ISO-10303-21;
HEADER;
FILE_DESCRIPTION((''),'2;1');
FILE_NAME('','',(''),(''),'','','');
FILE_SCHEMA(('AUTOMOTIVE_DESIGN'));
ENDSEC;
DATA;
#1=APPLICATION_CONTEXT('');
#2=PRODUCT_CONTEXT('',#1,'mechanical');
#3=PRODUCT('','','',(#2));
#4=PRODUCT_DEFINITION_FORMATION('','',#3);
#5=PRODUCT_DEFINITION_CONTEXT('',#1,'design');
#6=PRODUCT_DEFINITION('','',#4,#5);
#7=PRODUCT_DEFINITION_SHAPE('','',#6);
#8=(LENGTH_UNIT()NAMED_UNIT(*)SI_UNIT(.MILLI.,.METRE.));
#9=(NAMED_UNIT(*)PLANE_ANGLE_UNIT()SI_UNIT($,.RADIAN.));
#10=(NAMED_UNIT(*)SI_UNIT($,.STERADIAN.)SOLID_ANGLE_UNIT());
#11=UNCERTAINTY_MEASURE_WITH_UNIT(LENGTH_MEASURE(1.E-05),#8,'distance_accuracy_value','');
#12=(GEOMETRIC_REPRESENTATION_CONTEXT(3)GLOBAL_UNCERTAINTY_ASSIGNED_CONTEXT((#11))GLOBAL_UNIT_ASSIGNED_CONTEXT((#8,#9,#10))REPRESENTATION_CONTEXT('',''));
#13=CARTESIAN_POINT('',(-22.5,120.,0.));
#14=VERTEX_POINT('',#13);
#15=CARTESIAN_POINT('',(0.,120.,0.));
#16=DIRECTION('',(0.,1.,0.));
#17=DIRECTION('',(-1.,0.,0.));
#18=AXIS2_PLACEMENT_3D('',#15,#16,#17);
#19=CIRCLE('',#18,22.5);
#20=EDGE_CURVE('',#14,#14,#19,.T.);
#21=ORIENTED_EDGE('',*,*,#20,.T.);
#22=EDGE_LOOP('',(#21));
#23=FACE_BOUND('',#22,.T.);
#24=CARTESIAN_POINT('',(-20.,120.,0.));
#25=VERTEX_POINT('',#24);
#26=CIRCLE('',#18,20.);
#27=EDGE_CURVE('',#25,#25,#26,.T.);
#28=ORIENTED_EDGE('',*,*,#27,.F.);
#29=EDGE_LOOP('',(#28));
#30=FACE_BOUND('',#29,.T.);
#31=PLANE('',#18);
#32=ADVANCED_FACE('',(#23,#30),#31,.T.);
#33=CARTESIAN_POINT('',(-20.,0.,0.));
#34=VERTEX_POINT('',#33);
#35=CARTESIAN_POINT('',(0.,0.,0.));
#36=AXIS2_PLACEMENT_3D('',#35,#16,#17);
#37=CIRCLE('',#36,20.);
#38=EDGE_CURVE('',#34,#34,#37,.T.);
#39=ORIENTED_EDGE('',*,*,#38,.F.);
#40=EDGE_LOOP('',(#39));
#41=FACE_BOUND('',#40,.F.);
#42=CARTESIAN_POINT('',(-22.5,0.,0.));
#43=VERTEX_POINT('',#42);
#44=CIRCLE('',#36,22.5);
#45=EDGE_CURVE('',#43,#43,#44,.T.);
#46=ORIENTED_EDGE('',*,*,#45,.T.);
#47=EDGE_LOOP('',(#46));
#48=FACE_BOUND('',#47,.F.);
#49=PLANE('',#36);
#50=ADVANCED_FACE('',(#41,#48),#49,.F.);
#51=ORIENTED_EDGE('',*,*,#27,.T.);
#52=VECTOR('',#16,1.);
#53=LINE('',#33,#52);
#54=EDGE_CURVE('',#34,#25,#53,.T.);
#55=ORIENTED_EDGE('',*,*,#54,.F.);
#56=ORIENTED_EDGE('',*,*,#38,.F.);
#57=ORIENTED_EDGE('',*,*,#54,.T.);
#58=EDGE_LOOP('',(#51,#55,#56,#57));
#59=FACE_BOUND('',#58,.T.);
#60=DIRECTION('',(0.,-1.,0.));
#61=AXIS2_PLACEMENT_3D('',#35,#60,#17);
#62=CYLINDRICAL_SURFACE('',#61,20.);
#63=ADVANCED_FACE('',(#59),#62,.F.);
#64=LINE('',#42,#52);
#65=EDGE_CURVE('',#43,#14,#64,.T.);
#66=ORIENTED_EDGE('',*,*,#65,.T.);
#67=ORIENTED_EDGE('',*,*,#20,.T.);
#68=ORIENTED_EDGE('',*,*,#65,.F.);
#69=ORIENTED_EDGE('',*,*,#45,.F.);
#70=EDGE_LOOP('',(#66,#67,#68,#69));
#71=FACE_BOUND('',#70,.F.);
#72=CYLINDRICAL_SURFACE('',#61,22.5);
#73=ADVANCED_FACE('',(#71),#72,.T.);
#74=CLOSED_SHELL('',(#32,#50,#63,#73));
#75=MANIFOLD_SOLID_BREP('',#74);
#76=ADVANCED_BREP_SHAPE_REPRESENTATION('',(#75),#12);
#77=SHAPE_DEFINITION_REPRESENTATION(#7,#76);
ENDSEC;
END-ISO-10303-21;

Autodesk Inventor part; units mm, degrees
ref_plane "YZ Plane" through (0, 0, 0) normal (1, 0, 0) x (0, 1, 0)
ref_plane "XZ Plane" through (0, 0, 0) normal (0, 1, 0) x (-1, 0, 0)
ref_plane "XY Plane" through (0, 0, 0) normal (0, 0, 1) x (1, 0, 0)
sketch "Sketch1" plane through (0, 0, 0) normal (0, 1, 0) x (-1, 0, 0)
  circle A0 centre (0, 0) radius 22.5
  circle A1 centre (0, 0) radius 20
  dimension "d0" = 45
  dimension "d1" = 40
extrude "Extrusion1" add sketch "Sketch1" along normal blind 120
properties part number "Contenedor"
